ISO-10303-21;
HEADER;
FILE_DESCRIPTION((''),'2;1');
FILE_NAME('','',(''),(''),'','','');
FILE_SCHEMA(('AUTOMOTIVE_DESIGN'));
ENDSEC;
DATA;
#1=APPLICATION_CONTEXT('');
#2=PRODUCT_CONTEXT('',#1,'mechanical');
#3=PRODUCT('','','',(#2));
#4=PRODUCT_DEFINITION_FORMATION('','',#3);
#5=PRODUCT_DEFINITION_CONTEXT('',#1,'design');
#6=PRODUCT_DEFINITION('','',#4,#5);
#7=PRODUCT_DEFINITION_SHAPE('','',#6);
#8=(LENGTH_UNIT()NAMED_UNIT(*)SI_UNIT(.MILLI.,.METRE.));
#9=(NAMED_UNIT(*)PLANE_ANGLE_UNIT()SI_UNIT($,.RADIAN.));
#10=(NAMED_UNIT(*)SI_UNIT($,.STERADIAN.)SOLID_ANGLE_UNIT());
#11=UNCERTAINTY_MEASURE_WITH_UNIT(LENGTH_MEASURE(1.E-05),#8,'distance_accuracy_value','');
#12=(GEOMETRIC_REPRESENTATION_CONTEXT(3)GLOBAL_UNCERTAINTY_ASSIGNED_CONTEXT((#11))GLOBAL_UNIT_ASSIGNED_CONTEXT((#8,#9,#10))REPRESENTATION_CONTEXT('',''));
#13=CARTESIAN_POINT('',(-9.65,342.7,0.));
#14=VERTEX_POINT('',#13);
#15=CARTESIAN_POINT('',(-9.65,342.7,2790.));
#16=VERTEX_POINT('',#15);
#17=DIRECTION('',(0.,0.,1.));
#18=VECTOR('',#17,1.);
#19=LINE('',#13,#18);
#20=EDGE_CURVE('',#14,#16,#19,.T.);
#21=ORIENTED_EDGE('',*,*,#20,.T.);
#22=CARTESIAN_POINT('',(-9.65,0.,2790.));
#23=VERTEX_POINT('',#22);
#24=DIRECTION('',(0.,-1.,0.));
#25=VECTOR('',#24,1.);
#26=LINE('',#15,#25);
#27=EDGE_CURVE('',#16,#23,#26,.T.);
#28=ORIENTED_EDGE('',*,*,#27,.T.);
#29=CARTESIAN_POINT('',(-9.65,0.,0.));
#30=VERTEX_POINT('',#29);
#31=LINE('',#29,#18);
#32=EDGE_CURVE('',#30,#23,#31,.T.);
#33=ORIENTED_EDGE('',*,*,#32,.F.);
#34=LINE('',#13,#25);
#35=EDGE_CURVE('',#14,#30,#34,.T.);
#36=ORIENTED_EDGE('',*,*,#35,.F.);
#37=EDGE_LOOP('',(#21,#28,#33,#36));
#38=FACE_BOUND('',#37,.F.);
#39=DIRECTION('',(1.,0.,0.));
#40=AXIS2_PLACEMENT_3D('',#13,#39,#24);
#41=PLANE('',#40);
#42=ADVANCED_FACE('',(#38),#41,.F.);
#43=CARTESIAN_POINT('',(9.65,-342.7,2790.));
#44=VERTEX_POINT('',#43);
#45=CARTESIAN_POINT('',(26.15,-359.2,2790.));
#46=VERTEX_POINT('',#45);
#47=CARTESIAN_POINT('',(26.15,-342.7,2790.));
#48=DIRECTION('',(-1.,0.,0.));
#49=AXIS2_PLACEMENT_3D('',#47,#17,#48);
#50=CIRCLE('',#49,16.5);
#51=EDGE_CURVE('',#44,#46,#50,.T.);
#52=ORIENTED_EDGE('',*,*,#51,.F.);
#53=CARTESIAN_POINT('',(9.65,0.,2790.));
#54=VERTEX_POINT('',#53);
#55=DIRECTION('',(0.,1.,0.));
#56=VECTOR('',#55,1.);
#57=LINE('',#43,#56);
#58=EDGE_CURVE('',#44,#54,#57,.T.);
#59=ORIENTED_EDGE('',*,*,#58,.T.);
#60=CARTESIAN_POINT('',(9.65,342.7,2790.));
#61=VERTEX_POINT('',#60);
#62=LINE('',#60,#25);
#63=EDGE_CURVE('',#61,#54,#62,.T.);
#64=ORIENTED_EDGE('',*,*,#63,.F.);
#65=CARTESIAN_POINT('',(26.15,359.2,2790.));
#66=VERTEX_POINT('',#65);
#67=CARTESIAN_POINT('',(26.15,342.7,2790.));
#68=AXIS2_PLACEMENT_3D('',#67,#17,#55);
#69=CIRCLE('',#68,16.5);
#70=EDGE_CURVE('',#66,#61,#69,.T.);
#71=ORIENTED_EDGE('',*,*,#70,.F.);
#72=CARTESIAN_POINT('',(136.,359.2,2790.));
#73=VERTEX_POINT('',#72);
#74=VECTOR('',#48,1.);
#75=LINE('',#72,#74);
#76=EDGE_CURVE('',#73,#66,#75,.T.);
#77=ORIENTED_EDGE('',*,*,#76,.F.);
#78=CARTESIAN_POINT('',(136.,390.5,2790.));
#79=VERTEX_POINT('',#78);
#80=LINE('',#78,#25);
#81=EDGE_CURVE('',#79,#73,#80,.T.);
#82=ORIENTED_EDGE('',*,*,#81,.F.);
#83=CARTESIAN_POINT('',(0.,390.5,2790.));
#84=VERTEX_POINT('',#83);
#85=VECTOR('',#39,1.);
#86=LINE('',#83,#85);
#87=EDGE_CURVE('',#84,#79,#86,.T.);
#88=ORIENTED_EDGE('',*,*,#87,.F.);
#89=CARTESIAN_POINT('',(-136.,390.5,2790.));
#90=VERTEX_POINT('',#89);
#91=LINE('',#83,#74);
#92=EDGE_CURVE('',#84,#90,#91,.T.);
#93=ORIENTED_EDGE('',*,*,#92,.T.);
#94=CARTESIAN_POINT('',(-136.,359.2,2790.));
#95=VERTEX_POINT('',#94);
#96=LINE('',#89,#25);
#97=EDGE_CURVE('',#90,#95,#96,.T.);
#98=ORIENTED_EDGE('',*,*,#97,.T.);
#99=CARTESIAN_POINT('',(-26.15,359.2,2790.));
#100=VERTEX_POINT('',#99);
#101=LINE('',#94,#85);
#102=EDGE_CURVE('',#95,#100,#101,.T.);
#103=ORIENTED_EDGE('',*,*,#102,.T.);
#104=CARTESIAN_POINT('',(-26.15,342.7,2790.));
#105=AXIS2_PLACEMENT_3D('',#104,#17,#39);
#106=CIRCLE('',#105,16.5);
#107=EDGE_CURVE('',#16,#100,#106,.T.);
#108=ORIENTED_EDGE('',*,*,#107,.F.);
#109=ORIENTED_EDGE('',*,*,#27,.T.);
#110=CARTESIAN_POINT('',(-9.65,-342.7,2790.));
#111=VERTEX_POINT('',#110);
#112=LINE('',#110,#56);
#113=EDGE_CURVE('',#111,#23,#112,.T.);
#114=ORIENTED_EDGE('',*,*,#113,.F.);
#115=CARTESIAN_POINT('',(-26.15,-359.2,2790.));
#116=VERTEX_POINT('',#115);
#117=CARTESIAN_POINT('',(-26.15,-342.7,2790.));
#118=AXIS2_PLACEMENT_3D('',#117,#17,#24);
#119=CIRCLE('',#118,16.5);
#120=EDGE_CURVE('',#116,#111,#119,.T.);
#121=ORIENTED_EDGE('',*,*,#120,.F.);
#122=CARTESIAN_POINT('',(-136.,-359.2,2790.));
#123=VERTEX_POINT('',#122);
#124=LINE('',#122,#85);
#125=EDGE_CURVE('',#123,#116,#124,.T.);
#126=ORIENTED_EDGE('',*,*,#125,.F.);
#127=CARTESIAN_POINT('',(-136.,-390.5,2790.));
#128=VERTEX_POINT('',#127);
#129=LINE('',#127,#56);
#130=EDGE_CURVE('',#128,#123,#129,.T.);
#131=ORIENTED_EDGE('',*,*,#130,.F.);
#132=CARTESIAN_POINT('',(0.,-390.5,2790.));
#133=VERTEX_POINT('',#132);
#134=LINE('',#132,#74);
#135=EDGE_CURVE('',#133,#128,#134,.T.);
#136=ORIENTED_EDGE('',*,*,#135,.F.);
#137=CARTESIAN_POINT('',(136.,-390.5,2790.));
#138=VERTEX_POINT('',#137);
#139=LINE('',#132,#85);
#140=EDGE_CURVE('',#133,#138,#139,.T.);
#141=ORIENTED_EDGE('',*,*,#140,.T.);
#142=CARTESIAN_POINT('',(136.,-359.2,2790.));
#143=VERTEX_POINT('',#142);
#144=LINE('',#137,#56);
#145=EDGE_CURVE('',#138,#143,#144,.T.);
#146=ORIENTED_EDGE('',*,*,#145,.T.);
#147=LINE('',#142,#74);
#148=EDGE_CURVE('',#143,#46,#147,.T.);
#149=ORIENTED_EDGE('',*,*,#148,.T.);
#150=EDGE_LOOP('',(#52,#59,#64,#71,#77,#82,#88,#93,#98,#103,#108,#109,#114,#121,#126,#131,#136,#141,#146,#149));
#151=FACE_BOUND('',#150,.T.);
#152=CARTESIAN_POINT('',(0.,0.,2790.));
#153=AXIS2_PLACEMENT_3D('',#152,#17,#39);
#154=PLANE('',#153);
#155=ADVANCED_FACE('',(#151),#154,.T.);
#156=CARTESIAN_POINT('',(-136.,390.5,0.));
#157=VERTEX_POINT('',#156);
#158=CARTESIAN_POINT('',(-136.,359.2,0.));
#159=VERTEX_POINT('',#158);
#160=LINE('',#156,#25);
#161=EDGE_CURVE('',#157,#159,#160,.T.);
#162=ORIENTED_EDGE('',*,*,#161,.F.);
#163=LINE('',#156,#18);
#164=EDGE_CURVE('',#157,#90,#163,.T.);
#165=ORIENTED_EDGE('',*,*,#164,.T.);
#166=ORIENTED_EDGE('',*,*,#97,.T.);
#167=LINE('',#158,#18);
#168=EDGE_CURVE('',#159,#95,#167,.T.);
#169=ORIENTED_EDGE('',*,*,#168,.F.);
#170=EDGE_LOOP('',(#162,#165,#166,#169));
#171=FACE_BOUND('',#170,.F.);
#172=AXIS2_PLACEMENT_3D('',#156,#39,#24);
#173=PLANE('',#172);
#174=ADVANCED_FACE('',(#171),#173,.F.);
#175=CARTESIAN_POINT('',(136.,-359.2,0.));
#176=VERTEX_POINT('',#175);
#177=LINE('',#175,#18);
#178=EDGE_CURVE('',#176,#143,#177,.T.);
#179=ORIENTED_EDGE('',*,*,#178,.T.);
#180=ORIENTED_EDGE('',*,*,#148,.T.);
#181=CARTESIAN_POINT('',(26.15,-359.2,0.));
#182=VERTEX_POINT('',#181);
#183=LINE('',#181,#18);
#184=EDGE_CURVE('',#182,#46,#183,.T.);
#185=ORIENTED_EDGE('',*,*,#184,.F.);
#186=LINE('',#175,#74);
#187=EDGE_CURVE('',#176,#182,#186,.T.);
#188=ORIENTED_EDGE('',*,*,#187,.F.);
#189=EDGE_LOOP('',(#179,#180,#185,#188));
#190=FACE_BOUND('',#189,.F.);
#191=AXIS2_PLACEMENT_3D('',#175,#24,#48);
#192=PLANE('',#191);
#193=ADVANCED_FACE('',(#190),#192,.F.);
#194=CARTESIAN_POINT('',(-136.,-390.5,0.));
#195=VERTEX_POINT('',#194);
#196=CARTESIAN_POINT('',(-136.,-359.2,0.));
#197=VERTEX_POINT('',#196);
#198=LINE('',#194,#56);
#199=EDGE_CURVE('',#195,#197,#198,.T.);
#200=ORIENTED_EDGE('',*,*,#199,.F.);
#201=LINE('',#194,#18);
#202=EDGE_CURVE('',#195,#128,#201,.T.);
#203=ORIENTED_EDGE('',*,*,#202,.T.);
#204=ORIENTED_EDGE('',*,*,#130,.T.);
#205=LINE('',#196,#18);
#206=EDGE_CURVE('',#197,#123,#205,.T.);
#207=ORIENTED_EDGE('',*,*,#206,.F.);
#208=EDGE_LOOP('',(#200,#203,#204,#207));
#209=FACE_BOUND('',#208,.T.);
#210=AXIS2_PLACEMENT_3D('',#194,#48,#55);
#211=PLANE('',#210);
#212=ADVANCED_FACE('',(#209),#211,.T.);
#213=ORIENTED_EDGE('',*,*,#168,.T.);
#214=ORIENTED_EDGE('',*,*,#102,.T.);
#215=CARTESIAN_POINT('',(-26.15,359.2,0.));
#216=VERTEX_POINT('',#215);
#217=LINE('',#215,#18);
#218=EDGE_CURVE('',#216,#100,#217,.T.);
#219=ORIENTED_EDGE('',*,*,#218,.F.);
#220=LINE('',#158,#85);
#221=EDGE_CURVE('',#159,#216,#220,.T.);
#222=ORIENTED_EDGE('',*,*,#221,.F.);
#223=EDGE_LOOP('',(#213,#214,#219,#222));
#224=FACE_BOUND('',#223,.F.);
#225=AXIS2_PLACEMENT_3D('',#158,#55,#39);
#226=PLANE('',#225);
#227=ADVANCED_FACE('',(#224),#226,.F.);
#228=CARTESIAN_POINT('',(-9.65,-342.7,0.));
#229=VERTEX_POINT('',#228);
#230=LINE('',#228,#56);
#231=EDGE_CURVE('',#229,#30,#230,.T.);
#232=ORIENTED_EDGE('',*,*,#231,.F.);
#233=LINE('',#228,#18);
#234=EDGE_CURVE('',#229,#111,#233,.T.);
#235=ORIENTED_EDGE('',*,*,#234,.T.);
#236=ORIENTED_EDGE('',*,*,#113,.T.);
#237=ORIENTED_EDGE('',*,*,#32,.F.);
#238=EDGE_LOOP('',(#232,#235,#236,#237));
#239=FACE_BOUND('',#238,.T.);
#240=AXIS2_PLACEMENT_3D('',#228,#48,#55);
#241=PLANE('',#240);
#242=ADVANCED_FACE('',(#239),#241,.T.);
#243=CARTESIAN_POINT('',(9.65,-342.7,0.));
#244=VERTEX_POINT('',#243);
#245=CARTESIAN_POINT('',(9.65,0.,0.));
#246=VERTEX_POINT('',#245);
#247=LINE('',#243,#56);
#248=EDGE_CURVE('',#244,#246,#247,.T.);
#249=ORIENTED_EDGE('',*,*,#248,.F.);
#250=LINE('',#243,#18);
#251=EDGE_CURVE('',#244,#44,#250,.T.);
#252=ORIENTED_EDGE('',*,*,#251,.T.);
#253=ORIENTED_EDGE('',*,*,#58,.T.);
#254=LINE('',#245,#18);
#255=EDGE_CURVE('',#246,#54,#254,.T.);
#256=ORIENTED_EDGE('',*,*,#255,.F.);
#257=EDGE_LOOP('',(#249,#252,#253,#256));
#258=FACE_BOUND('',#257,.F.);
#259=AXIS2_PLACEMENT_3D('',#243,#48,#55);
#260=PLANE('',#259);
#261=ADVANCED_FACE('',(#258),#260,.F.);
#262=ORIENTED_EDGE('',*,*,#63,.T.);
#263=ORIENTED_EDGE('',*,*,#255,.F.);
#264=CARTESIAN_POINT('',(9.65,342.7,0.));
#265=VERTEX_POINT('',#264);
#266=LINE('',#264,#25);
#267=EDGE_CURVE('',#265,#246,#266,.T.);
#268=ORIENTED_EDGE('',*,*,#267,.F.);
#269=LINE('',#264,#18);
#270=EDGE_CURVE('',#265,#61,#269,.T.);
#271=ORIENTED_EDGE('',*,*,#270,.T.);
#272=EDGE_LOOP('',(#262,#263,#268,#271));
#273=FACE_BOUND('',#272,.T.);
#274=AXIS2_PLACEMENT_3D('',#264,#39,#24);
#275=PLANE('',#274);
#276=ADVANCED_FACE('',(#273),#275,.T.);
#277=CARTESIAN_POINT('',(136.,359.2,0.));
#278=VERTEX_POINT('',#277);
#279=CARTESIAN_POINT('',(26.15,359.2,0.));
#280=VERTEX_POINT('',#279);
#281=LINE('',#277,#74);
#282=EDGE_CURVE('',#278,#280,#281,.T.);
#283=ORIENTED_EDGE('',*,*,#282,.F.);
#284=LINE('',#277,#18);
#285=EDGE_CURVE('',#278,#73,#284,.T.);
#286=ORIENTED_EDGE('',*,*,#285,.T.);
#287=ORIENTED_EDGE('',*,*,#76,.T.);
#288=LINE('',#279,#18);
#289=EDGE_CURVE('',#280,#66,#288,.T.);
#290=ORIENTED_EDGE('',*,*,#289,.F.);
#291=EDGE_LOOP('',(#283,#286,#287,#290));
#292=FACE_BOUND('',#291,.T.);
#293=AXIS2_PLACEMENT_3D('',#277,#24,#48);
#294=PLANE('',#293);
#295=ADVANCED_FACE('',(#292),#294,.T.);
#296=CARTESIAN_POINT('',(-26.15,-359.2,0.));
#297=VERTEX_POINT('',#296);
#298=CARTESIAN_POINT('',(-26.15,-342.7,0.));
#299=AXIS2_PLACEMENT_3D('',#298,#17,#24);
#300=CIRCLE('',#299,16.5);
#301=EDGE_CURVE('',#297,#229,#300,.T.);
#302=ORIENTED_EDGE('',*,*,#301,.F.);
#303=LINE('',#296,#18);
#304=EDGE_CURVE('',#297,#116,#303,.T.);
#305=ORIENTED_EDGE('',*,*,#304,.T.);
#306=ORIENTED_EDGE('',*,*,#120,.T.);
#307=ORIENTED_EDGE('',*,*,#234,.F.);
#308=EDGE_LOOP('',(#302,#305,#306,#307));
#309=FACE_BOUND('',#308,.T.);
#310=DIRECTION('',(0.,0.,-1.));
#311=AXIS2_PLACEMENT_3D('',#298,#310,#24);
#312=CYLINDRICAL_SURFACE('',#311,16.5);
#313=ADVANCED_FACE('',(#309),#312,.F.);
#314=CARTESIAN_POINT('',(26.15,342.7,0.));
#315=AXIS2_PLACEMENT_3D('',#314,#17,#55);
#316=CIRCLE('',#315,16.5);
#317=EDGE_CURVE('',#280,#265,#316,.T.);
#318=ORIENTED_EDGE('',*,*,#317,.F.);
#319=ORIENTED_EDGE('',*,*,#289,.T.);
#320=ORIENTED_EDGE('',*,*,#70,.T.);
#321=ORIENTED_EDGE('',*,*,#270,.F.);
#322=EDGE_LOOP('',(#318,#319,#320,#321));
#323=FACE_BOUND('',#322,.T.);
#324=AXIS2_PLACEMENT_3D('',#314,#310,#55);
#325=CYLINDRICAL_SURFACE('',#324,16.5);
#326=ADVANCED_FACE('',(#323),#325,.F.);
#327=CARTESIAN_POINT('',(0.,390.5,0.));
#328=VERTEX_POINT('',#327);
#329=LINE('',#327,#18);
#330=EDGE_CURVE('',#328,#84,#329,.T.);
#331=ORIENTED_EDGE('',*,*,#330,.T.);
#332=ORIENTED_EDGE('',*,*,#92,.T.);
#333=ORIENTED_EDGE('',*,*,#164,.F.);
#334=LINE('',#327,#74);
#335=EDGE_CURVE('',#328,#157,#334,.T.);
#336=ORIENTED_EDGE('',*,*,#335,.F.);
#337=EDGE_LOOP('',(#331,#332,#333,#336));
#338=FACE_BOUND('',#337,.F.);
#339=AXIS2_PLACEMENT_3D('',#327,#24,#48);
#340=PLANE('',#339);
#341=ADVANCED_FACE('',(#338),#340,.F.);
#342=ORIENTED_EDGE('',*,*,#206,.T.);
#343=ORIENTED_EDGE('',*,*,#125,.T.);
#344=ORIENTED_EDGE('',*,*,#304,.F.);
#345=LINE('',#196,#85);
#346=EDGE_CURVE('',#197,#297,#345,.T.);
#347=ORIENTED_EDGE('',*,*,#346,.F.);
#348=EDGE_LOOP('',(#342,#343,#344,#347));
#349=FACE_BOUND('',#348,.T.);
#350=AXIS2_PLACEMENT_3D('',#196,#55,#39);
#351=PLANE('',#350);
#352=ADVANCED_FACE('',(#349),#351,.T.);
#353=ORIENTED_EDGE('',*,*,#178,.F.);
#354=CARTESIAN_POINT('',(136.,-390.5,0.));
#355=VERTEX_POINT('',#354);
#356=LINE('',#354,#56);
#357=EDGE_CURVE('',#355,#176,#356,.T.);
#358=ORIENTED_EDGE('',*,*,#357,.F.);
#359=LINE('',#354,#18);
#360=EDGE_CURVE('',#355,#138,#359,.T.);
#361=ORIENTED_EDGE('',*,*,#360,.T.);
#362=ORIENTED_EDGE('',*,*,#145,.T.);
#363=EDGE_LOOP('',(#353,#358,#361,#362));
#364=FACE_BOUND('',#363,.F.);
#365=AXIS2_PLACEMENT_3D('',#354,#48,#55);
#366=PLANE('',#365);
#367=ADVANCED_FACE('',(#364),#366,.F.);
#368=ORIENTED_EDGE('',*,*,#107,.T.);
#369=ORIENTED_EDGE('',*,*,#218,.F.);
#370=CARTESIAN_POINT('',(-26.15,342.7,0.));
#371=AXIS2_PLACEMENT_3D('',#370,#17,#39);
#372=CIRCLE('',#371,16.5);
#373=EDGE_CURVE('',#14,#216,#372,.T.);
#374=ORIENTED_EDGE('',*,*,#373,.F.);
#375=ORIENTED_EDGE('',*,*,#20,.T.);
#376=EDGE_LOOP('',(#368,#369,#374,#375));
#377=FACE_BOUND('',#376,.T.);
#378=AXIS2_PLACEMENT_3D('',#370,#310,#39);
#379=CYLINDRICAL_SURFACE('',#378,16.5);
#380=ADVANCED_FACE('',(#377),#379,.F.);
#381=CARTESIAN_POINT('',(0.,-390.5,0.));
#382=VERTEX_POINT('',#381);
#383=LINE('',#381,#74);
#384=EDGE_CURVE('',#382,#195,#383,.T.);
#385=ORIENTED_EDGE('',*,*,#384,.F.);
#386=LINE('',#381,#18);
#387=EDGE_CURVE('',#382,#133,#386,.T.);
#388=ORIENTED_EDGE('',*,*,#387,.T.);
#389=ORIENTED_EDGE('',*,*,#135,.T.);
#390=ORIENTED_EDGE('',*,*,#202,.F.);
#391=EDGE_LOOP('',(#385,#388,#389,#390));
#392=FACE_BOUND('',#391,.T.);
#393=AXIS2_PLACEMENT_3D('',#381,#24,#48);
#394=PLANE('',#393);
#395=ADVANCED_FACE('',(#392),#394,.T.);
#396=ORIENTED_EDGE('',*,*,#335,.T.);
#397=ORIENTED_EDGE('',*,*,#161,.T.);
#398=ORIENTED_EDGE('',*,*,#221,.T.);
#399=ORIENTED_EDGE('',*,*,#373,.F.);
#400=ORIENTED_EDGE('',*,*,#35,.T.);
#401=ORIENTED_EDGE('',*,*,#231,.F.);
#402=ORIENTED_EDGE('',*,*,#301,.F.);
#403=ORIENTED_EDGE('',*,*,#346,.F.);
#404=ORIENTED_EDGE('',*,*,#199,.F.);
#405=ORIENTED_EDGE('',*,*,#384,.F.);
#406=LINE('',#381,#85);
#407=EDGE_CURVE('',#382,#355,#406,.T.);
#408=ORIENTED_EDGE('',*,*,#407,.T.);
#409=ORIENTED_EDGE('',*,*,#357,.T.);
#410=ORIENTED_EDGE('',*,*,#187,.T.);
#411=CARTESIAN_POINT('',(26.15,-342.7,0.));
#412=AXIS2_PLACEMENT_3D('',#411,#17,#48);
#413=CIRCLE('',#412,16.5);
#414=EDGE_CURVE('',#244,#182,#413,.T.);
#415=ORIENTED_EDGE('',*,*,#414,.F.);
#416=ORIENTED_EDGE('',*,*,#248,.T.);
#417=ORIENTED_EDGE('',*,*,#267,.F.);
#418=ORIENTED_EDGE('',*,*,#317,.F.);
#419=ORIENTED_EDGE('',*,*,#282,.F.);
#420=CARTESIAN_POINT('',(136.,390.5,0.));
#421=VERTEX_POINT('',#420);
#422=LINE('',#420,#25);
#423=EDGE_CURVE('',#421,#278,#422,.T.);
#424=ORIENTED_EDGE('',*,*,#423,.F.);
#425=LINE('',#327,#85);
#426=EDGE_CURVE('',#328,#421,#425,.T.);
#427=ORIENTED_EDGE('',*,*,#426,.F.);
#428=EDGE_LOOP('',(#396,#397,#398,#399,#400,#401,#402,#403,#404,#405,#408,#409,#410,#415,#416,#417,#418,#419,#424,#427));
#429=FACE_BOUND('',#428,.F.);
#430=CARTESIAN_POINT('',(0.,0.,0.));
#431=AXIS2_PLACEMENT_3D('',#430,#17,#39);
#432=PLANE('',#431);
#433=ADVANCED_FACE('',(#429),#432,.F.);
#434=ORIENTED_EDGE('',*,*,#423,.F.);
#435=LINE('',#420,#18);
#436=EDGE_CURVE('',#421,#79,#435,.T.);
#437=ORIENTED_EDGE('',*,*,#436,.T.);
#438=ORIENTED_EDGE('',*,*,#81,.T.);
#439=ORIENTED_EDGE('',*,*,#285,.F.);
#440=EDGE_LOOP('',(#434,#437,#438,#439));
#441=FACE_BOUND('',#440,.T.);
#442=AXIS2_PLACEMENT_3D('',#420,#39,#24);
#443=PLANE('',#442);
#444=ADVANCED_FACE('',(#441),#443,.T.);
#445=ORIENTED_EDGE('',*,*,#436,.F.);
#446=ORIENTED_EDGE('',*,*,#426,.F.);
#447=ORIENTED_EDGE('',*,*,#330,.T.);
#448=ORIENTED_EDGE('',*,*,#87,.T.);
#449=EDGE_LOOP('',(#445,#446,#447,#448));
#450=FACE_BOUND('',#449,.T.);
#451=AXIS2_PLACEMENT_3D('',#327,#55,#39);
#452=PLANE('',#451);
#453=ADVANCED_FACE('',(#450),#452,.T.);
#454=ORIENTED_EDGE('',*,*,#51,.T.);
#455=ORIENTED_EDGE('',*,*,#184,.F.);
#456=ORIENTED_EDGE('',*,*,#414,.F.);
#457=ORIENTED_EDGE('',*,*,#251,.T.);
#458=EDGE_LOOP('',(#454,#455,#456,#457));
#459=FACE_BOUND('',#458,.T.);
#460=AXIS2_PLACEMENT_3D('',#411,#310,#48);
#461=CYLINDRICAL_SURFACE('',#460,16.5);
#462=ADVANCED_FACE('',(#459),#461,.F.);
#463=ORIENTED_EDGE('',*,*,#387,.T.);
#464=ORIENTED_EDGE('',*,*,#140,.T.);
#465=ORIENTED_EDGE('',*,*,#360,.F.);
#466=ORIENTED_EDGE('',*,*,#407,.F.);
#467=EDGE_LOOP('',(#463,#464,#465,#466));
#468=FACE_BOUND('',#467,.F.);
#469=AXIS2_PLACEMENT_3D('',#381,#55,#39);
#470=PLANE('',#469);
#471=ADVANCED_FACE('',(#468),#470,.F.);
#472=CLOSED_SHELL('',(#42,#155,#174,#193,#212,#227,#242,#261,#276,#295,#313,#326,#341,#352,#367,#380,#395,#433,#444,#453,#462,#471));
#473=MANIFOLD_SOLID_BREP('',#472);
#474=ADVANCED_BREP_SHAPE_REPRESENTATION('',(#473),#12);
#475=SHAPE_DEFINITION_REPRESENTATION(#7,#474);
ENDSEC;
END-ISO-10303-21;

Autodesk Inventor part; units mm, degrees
ref_plane "YZ Plane" through (0, 0, 0) normal (1, 0, 0) x (0, 1, 0)
ref_plane "Start plane" through (0, 0, 0) normal (0, 0, 1) x (1, 0, 0)
ref_plane "End plane" through (0, 0, 2790) normal (0, 0, 1) x (1, 0, 0)
sketch "Sketch" plane through (0, 0, 0) normal (0, 0, 1) x (1, 0, 0)
  line L0 (-136, -390.5) -> (-136, -359.2)
  line L1 (-136, -359.2) -> (-26.15, -359.2)
  line L2 (-9.65, -342.7) -> (-9.65, 0)
  line L3 (-9.65, 0) -> (0, 0) construction
  line L4 (0, 0) -> (0, -390.5) construction
  line L5 (0, -390.5) -> (-136, -390.5)
  line L6 (-60, 0) -> (80, 0) construction
  line L7 (0, -60) -> (0, 80) construction
  line L8 (136, -390.5) -> (136, -359.2)
  line L9 (136, -359.2) -> (26.15, -359.2)
  line L10 (9.65, -342.7) -> (9.65, 0)
  line L11 (9.65, 0) -> (0, 0) construction
  line L12 (0, -390.5) -> (136, -390.5)
  line L13 (-136, 390.5) -> (-136, 359.2)
  line L14 (-136, 359.2) -> (-26.15, 359.2)
  line L15 (-9.65, 342.7) -> (-9.65, 0)
  line L16 (0, 390.5) -> (-136, 390.5)
  line L17 (136, 390.5) -> (136, 359.2)
  line L18 (136, 359.2) -> (26.15, 359.2)
  line L19 (0, 390.5) -> (136, 390.5)
  line L20 (9.65, 342.7) -> (9.65, 0)
  arc A0 (-9.65, 342.7) -> (-26.15, 359.2) centre (-26.15, 342.7) ccw
  arc A1 (26.15, 359.2) -> (9.65, 342.7) centre (26.15, 342.7) ccw
  arc A2 (9.65, -342.7) -> (26.15, -359.2) centre (26.15, -342.7) ccw
  arc A3 (-26.15, -359.2) -> (-9.65, -342.7) centre (-26.15, -342.7) ccw
  line L21 (0, 108) -> (0, -88) construction
  line L22 (-88, 0) -> (108, 0) construction
  point P0 (-9.65, -359.2)
  point P1 (9.65, -359.2)
  point P2 (-9.65, 359.2)
  point P3 (9.65, 359.2)
  dimension "d1" = 390.5
  dimension "d2" = 31.3
  dimension "d3" = 136
  dimension "d4" = 9.65
  dimension "d10" = 16.5
extrude "Body" add sketch "Sketch" along normal up to surface (2790 mm away) from surface at 0
sketch "Sketch4" plane through (0, 0, 0) normal (0, 0, 1) x (1, 0, 0)
  line L0 (0, 0) -> (10, 0)
ref_plane "Work Plane3" through (0, 0, 0) normal (0, -1, 0) x (1, 0, 0)
sketch "Sketch5" plane through (0, 0, 0) normal (0, -1, 0) x (1, 0, 0)
  line L0 (-2, 0) -> (12, 0) projected
  line L1 (-2, 2790) -> (12, 2790) projected
  dimension "d14" = 2790
equation "\"d1\" = 0.5 * G_H"
equation "\"d2\" = G_T1"
equation "\"d3\" = 0.5 * G_W"
equation "\"d4\" = 0.5 * G_T"
equation "\"d10\" = G_IR"
equation "\"d5\" = G_L"
equation "\"G_W\" = 272"
equation "\"G_H\" = 781"
equation "\"G_T\" = 19.3"
equation "\"G_T1\" = 31.3"
equation "\"G_IR\" = 16.5"
equation "\"G_L\" = d14"
equation "\"G_OFFSET_START\" = 0"
equation "\"G_OFFSET_END\" = 0"
properties part number "AS 3679-1990 - 760 UB - 244 - 2790" material "Steel, Mild"
